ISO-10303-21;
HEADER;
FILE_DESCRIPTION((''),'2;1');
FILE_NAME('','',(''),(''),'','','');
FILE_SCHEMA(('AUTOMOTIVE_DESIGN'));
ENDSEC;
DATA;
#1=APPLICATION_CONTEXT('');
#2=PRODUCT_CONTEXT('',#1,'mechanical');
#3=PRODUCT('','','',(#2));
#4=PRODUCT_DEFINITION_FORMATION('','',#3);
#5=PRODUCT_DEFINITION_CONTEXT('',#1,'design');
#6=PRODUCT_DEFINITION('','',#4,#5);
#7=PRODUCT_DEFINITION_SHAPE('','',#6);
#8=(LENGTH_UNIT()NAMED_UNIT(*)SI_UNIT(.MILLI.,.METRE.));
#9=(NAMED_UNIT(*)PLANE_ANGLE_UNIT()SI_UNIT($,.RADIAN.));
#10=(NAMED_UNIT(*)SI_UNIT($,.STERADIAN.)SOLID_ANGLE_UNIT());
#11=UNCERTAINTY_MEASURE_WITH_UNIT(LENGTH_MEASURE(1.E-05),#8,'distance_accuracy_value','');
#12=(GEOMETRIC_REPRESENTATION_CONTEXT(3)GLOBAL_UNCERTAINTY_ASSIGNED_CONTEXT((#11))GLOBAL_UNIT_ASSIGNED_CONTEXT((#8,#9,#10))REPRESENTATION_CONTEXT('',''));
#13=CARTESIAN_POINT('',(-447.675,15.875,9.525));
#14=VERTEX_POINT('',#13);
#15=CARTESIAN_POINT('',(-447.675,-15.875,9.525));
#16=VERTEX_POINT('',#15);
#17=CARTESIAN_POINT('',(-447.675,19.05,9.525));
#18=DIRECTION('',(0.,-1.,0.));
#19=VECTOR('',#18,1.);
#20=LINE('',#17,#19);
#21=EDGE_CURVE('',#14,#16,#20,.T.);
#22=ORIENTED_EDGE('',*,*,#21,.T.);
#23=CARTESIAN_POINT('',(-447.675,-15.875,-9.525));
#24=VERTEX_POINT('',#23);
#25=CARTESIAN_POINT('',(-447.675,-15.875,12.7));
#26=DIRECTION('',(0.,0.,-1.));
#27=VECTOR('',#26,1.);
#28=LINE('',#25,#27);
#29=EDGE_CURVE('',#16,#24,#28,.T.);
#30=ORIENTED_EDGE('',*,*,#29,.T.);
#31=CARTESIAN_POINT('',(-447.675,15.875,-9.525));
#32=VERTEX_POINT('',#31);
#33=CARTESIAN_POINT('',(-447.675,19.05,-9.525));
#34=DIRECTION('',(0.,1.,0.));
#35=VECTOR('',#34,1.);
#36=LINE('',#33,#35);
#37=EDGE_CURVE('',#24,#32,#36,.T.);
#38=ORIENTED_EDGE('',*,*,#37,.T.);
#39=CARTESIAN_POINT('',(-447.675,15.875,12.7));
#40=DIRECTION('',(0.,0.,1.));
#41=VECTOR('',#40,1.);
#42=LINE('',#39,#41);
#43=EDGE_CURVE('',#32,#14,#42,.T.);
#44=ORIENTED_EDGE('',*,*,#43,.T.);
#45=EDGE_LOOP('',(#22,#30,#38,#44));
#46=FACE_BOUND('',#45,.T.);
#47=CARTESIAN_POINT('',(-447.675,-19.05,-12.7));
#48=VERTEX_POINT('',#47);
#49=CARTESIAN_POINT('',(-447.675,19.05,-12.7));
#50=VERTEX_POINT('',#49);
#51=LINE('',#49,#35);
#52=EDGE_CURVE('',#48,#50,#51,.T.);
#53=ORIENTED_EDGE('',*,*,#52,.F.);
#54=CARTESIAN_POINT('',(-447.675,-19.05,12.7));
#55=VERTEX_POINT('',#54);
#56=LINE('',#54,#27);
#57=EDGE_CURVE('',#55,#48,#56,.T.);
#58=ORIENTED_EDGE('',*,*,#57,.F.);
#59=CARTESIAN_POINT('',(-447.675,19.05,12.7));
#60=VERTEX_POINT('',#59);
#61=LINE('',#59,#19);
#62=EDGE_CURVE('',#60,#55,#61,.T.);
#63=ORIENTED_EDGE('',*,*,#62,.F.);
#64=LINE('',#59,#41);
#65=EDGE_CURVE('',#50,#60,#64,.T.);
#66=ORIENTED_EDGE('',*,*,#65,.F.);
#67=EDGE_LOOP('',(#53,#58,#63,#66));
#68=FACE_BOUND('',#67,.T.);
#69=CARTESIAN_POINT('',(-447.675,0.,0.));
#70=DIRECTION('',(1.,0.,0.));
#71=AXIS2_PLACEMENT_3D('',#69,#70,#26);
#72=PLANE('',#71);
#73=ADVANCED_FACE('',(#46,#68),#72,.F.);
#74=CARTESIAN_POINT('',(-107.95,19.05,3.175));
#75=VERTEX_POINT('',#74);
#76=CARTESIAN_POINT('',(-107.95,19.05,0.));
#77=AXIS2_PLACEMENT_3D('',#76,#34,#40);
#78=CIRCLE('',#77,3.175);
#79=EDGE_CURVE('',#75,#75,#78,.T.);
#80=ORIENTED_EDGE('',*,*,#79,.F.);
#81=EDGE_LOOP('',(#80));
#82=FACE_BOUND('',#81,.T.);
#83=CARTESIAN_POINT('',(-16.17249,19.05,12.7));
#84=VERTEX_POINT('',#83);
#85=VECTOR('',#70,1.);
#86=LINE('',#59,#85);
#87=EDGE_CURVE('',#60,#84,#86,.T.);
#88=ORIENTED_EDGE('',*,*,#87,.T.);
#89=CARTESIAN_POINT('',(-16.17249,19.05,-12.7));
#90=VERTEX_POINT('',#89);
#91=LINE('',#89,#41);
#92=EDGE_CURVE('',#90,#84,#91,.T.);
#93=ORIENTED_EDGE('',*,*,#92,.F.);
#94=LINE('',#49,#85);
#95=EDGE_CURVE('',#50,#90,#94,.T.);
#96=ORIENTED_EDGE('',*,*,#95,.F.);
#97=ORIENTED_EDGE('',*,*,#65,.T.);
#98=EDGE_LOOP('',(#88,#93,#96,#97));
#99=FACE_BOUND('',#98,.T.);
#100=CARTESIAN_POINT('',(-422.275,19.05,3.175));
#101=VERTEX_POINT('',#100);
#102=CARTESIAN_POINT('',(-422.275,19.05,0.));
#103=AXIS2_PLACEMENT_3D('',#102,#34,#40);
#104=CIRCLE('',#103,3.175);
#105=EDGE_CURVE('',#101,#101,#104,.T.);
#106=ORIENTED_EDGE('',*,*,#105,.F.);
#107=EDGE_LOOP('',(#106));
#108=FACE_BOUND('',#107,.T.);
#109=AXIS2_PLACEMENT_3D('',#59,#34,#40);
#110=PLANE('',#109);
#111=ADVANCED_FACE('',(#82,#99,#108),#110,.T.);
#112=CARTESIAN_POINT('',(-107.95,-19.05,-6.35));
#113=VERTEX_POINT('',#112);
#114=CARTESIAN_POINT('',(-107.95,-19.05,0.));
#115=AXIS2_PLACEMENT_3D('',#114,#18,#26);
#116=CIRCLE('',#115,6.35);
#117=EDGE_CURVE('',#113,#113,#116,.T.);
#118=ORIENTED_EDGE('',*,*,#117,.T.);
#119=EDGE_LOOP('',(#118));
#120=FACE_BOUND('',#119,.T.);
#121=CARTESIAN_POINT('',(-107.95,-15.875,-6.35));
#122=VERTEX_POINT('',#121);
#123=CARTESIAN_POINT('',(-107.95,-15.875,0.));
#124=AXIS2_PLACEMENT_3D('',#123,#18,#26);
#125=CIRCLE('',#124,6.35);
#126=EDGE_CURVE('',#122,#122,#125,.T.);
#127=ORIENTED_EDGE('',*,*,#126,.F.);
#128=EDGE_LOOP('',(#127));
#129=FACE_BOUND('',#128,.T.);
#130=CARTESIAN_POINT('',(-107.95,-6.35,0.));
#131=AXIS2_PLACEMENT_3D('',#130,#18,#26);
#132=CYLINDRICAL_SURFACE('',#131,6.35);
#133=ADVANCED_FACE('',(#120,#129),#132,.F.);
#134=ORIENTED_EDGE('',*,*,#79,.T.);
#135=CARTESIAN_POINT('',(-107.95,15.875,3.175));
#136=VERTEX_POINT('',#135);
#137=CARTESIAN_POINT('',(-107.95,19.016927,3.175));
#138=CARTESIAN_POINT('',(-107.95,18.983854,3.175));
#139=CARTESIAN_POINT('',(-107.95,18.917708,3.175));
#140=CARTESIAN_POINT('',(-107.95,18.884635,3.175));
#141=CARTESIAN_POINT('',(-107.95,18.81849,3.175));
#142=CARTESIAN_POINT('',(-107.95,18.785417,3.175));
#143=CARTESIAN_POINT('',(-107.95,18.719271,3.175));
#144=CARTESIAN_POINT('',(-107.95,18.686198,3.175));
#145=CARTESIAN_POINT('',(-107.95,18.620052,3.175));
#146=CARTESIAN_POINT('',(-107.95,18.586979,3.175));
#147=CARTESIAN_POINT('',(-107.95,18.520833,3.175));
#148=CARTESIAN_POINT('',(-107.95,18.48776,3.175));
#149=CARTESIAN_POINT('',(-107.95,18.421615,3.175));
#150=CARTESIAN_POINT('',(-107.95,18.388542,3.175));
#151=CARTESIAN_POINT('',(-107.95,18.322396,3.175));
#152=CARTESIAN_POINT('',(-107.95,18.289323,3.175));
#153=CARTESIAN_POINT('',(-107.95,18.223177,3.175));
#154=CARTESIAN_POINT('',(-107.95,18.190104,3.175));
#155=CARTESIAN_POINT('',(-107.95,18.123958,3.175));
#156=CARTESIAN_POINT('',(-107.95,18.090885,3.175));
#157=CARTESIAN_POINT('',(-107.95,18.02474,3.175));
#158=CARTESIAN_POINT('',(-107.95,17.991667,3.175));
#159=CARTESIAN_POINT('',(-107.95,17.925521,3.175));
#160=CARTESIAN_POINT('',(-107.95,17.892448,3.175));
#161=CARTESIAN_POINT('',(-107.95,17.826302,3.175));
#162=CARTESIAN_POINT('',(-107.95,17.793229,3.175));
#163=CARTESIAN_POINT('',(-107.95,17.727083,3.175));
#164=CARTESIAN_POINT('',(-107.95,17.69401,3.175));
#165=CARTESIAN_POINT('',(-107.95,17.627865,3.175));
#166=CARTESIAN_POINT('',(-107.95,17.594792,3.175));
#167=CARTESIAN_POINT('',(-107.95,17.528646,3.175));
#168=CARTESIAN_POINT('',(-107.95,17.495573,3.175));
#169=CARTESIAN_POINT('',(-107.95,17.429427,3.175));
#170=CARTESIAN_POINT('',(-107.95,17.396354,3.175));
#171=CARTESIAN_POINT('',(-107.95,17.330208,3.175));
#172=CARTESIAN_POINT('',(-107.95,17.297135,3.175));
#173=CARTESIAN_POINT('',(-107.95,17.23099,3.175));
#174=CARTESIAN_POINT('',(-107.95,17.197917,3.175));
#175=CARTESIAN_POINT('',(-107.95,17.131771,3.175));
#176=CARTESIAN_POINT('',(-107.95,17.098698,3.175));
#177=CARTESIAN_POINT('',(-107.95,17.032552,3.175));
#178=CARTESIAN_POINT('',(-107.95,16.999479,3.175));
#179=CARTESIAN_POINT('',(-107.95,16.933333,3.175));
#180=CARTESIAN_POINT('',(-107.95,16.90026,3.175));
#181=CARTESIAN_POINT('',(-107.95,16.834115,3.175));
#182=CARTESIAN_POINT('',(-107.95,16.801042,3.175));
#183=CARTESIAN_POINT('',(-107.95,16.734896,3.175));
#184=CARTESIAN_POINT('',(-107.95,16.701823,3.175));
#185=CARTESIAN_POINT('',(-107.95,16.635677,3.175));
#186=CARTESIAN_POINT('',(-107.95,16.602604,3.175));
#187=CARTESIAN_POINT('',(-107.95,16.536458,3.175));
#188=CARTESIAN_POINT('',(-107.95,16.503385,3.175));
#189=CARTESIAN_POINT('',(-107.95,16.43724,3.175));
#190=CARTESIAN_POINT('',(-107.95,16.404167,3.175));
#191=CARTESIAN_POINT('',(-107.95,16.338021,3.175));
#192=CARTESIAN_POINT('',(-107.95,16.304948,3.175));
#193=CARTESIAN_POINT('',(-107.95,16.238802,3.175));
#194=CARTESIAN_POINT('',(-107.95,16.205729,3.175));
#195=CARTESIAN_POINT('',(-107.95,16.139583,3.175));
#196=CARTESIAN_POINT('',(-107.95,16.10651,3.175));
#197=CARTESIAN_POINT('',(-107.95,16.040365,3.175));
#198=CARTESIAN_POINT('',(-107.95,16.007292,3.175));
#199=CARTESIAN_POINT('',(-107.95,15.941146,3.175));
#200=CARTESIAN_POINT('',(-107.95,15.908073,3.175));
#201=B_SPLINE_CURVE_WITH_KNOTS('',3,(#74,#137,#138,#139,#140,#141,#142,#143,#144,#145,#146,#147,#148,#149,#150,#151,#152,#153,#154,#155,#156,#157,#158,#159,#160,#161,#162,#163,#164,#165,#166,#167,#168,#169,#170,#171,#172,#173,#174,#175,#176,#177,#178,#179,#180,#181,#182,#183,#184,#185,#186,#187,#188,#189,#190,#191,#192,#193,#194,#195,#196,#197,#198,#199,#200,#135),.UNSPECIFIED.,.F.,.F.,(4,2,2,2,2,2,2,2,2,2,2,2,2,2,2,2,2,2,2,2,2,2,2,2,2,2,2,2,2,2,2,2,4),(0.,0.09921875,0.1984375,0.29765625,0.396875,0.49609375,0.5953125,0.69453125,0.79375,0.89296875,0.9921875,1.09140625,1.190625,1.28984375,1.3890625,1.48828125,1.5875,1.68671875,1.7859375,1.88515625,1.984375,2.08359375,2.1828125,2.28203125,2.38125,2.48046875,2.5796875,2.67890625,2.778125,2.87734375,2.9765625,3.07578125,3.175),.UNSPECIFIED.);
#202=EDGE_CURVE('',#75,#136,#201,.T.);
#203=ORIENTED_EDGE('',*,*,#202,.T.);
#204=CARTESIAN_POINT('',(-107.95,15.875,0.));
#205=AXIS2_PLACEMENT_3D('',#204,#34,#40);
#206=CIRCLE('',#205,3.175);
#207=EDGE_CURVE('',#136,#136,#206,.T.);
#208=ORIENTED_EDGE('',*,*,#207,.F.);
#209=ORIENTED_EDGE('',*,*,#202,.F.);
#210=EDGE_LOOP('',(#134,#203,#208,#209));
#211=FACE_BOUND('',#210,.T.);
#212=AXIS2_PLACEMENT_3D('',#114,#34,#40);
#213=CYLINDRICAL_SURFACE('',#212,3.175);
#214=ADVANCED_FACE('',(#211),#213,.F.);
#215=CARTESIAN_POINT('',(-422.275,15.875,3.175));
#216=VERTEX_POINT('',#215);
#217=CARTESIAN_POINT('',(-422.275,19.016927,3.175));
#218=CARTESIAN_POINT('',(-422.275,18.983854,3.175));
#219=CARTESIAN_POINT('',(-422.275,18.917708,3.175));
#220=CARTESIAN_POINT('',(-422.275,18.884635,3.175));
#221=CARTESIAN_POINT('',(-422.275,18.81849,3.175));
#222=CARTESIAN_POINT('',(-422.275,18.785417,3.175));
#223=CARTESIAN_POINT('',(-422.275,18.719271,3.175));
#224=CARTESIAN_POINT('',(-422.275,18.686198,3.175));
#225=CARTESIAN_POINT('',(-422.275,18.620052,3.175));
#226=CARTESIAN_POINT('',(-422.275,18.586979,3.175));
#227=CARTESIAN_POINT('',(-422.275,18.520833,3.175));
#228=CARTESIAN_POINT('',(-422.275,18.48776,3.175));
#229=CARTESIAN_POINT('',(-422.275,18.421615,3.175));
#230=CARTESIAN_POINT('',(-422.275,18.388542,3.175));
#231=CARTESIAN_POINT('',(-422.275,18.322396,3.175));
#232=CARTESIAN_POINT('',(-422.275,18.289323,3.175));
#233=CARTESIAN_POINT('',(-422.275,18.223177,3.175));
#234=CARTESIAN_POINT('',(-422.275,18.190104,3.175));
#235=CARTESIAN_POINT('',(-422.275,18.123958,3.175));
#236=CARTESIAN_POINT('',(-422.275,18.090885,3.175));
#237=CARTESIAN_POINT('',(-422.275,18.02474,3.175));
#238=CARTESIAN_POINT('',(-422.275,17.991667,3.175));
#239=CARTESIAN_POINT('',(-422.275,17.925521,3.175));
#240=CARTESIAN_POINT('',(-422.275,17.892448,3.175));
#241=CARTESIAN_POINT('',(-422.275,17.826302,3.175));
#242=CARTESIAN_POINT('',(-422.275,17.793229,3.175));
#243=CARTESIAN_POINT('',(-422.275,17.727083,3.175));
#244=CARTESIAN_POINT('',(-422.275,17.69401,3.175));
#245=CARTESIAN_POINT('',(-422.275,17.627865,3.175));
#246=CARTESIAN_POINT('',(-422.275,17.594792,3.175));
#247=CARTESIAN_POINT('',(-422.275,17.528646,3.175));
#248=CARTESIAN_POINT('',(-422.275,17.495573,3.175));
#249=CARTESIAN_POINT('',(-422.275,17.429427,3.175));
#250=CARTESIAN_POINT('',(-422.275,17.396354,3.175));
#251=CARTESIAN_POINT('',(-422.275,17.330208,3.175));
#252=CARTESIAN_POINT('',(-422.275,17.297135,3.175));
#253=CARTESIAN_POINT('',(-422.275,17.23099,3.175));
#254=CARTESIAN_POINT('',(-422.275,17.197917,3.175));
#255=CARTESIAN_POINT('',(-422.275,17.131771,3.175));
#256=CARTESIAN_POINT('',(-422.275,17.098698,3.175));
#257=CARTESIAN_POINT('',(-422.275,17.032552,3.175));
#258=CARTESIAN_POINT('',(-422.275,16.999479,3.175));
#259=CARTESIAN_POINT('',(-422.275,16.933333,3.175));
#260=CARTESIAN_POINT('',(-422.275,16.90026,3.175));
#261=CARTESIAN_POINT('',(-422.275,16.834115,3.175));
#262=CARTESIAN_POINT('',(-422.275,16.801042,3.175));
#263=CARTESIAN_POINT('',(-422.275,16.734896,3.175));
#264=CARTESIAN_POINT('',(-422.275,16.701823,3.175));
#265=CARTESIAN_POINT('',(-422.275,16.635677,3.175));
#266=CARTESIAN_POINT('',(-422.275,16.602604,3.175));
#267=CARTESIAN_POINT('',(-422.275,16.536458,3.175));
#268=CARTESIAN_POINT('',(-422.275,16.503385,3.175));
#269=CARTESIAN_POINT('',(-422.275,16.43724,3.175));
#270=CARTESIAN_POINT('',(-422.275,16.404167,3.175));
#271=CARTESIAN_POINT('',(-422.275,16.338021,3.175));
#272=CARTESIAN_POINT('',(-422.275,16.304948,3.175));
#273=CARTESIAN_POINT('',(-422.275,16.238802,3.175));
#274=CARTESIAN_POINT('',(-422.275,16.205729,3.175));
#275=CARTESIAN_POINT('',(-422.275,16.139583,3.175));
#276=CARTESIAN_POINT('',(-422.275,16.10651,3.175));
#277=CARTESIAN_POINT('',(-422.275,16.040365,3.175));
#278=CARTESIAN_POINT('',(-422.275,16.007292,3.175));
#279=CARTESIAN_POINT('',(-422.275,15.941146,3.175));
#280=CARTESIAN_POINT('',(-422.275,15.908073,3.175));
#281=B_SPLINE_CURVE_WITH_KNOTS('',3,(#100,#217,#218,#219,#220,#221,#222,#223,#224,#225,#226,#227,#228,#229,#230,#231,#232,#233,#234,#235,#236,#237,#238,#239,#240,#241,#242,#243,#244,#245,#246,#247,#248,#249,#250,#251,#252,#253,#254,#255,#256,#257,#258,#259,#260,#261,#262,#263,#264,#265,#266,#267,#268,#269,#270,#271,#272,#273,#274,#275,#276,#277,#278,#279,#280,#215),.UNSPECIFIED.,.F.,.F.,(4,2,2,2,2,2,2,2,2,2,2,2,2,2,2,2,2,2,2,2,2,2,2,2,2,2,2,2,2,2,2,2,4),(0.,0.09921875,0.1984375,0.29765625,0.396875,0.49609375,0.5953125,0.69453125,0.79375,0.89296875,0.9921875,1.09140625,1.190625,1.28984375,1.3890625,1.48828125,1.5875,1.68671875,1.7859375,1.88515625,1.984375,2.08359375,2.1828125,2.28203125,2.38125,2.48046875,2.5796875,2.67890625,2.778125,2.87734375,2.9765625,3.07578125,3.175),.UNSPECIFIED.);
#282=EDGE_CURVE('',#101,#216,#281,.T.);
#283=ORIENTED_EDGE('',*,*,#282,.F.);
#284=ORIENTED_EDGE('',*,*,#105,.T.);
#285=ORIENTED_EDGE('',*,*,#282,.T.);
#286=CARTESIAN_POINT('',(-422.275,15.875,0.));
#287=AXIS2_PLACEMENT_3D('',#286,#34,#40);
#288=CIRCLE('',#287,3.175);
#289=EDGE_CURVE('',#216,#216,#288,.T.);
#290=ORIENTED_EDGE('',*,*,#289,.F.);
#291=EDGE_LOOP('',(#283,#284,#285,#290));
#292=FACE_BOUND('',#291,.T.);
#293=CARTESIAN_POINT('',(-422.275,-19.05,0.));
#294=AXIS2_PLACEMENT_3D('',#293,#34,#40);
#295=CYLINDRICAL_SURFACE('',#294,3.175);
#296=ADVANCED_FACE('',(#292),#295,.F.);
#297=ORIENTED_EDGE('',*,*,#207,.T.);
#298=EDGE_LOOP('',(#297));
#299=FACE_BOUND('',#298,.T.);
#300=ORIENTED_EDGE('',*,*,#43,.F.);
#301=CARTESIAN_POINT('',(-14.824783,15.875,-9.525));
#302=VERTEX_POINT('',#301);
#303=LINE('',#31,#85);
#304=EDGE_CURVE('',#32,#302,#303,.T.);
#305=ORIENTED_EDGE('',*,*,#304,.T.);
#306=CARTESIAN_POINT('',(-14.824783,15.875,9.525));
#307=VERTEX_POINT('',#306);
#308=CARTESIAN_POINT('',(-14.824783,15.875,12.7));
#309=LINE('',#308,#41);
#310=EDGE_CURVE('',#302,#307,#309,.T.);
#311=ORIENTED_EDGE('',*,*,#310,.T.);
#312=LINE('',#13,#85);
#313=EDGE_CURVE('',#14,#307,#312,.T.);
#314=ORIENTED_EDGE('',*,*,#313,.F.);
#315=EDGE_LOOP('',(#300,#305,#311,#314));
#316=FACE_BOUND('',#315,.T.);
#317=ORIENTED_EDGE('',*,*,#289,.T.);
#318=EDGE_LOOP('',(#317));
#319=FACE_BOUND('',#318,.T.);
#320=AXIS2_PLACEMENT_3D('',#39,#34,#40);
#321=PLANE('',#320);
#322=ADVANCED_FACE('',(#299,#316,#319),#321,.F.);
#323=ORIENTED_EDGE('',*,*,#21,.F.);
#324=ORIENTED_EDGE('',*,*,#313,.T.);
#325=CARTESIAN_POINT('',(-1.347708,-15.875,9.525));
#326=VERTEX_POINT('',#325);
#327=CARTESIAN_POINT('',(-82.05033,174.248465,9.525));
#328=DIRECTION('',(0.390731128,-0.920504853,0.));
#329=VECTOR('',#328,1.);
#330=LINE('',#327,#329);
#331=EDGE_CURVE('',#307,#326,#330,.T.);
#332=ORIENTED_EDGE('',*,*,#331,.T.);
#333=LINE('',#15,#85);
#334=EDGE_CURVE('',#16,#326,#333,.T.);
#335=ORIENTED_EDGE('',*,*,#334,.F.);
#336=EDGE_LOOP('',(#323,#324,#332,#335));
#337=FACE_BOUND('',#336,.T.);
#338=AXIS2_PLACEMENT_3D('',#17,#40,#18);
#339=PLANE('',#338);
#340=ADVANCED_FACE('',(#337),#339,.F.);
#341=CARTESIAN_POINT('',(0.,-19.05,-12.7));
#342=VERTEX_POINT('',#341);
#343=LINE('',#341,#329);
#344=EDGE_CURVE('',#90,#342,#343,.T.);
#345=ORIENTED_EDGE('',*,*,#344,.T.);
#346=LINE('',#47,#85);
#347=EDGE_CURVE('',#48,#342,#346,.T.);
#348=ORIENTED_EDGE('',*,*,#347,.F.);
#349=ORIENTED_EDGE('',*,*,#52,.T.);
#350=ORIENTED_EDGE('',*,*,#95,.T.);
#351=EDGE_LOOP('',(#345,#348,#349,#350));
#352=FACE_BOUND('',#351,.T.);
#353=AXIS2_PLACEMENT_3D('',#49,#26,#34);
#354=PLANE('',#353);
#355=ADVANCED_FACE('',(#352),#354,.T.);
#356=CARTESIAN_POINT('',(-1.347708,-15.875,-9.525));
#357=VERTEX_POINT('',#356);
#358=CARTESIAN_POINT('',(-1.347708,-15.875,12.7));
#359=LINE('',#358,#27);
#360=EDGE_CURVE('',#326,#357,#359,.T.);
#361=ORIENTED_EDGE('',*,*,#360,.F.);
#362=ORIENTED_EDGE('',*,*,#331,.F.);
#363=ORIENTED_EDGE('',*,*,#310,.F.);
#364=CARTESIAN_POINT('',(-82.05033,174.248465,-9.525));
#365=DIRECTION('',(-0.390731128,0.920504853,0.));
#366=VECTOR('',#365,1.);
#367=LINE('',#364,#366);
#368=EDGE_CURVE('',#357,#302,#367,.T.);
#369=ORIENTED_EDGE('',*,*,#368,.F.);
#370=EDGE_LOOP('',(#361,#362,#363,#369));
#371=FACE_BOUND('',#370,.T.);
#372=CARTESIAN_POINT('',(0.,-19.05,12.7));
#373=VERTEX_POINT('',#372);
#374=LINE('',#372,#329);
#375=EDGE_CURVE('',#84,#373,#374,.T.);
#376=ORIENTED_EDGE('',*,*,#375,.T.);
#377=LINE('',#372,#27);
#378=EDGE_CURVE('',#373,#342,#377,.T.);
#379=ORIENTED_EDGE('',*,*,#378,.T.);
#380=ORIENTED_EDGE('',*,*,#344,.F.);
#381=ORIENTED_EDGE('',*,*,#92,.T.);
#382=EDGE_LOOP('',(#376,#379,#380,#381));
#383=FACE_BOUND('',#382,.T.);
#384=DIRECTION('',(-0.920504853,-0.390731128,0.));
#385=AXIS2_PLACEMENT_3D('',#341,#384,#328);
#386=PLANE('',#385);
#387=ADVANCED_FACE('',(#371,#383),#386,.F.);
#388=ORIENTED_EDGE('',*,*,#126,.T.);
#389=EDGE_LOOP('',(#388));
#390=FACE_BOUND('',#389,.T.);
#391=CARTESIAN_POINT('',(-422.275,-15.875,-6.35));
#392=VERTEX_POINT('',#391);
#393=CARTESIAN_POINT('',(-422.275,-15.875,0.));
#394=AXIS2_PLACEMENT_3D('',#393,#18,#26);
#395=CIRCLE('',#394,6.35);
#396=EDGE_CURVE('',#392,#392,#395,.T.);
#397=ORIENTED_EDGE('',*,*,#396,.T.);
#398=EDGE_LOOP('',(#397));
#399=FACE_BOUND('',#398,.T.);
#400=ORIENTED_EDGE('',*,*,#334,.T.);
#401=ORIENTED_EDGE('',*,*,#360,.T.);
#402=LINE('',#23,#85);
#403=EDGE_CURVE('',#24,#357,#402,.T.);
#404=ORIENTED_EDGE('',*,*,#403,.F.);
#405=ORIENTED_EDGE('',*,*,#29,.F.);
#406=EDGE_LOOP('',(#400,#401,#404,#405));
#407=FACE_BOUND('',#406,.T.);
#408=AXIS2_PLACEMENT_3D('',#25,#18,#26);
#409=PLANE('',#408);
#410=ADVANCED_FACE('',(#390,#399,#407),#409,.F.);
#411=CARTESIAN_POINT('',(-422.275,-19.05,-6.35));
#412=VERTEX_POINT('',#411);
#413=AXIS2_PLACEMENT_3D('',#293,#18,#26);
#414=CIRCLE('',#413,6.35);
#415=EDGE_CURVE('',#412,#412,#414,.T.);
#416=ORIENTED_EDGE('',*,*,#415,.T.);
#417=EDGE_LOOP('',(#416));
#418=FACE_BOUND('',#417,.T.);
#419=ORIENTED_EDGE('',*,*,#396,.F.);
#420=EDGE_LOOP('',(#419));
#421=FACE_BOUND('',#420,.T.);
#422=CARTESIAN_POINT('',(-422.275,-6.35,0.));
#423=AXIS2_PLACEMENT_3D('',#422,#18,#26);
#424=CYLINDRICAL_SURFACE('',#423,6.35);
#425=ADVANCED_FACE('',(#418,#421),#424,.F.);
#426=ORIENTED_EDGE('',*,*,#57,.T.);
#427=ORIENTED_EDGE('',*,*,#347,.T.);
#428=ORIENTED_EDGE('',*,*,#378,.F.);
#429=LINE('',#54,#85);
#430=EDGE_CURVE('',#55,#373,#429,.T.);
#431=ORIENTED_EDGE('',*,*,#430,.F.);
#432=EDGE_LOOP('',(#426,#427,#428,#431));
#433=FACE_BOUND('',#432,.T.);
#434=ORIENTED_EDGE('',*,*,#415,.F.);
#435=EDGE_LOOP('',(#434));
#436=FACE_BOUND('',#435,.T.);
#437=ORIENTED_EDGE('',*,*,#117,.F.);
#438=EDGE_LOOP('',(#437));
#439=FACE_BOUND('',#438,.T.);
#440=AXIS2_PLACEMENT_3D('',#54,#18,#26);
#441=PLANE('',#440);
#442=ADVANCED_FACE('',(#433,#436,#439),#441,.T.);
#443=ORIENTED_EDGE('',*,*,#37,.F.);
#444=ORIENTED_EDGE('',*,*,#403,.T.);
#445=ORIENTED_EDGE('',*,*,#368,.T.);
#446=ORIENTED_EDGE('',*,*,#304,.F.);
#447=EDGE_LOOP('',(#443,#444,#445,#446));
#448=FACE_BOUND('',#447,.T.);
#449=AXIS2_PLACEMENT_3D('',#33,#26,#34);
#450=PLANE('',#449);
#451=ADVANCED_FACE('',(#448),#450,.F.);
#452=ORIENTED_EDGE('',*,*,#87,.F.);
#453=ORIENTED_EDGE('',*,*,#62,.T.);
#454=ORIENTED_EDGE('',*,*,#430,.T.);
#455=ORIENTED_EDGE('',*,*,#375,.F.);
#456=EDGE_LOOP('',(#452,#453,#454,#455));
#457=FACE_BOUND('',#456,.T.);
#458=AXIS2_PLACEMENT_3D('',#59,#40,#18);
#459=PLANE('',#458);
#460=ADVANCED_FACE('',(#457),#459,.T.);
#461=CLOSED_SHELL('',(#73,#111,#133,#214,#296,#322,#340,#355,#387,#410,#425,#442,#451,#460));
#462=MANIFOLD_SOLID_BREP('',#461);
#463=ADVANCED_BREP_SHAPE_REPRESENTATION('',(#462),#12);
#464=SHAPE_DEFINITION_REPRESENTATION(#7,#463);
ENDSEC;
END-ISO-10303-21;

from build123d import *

# Parameters (mm, degrees)
SKETCH1_W                 = 25.4
SKETCH1_H                 = 38.1
SKETCH1_W_2               = 19.05
SKETCH1_H_2               = 31.75
BEAM_DEPTH                = 447.675
MITER_CUT_DEPTH           = 449.799474292
SKETCH4_R                 = 3.175
BOLT_CLEARANCE_HOLE_DEPTH = 450.472808549
SKETCH5_R                 = 6.35
CLEARANCE_HOLE_DEPTH      = 12.7


with BuildPart() as part:
    # Sketch1 → beam (new body)
    with BuildSketch(Plane(origin=(0, 0, 0), x_dir=(0, 0, -1), z_dir=(1, 0, 0))):
        Rectangle(SKETCH1_W, SKETCH1_H)
        Rectangle(SKETCH1_W_2, SKETCH1_H_2, mode=Mode.SUBTRACT)
    extrude(amount=-BEAM_DEPTH)

    # Sketch2 → miter cut (cut, through all)
    with BuildSketch(Plane.XY.offset(12.7)):
        Polygon((0, -19.05), (-16.172490498, 19.05), (0, 19.05), align=None)
    extrude(amount=-MITER_CUT_DEPTH, mode=Mode.SUBTRACT)

    # Sketch4 → bolt clearance hole (cut, through all)
    with BuildSketch(Plane(origin=(0, 19.05, 0), x_dir=(1, 0, 0), z_dir=(0, 1, 0))):
        with Locations(Location((-422.275, 0, 0), (0, 0, 270))):
            Circle(SKETCH4_R)
        with Locations(Location((-107.95, 0, 0), (0, 0, 270))):
            Circle(SKETCH4_R)
    extrude(amount=-BOLT_CLEARANCE_HOLE_DEPTH, mode=Mode.SUBTRACT)

    # Sketch5 → clearance hole (cut)
    with BuildSketch(Plane.XZ.offset(19.05)):
        with Locations(Location((-422.275, 0, 0), (0, 0, 270))):
            Circle(SKETCH5_R)
        with Locations(Location((-107.95, 0, 0), (0, 0, 270))):
            Circle(SKETCH5_R)
    extrude(amount=-CLEARANCE_HOLE_DEPTH, mode=Mode.SUBTRACT)


solid = part.part
